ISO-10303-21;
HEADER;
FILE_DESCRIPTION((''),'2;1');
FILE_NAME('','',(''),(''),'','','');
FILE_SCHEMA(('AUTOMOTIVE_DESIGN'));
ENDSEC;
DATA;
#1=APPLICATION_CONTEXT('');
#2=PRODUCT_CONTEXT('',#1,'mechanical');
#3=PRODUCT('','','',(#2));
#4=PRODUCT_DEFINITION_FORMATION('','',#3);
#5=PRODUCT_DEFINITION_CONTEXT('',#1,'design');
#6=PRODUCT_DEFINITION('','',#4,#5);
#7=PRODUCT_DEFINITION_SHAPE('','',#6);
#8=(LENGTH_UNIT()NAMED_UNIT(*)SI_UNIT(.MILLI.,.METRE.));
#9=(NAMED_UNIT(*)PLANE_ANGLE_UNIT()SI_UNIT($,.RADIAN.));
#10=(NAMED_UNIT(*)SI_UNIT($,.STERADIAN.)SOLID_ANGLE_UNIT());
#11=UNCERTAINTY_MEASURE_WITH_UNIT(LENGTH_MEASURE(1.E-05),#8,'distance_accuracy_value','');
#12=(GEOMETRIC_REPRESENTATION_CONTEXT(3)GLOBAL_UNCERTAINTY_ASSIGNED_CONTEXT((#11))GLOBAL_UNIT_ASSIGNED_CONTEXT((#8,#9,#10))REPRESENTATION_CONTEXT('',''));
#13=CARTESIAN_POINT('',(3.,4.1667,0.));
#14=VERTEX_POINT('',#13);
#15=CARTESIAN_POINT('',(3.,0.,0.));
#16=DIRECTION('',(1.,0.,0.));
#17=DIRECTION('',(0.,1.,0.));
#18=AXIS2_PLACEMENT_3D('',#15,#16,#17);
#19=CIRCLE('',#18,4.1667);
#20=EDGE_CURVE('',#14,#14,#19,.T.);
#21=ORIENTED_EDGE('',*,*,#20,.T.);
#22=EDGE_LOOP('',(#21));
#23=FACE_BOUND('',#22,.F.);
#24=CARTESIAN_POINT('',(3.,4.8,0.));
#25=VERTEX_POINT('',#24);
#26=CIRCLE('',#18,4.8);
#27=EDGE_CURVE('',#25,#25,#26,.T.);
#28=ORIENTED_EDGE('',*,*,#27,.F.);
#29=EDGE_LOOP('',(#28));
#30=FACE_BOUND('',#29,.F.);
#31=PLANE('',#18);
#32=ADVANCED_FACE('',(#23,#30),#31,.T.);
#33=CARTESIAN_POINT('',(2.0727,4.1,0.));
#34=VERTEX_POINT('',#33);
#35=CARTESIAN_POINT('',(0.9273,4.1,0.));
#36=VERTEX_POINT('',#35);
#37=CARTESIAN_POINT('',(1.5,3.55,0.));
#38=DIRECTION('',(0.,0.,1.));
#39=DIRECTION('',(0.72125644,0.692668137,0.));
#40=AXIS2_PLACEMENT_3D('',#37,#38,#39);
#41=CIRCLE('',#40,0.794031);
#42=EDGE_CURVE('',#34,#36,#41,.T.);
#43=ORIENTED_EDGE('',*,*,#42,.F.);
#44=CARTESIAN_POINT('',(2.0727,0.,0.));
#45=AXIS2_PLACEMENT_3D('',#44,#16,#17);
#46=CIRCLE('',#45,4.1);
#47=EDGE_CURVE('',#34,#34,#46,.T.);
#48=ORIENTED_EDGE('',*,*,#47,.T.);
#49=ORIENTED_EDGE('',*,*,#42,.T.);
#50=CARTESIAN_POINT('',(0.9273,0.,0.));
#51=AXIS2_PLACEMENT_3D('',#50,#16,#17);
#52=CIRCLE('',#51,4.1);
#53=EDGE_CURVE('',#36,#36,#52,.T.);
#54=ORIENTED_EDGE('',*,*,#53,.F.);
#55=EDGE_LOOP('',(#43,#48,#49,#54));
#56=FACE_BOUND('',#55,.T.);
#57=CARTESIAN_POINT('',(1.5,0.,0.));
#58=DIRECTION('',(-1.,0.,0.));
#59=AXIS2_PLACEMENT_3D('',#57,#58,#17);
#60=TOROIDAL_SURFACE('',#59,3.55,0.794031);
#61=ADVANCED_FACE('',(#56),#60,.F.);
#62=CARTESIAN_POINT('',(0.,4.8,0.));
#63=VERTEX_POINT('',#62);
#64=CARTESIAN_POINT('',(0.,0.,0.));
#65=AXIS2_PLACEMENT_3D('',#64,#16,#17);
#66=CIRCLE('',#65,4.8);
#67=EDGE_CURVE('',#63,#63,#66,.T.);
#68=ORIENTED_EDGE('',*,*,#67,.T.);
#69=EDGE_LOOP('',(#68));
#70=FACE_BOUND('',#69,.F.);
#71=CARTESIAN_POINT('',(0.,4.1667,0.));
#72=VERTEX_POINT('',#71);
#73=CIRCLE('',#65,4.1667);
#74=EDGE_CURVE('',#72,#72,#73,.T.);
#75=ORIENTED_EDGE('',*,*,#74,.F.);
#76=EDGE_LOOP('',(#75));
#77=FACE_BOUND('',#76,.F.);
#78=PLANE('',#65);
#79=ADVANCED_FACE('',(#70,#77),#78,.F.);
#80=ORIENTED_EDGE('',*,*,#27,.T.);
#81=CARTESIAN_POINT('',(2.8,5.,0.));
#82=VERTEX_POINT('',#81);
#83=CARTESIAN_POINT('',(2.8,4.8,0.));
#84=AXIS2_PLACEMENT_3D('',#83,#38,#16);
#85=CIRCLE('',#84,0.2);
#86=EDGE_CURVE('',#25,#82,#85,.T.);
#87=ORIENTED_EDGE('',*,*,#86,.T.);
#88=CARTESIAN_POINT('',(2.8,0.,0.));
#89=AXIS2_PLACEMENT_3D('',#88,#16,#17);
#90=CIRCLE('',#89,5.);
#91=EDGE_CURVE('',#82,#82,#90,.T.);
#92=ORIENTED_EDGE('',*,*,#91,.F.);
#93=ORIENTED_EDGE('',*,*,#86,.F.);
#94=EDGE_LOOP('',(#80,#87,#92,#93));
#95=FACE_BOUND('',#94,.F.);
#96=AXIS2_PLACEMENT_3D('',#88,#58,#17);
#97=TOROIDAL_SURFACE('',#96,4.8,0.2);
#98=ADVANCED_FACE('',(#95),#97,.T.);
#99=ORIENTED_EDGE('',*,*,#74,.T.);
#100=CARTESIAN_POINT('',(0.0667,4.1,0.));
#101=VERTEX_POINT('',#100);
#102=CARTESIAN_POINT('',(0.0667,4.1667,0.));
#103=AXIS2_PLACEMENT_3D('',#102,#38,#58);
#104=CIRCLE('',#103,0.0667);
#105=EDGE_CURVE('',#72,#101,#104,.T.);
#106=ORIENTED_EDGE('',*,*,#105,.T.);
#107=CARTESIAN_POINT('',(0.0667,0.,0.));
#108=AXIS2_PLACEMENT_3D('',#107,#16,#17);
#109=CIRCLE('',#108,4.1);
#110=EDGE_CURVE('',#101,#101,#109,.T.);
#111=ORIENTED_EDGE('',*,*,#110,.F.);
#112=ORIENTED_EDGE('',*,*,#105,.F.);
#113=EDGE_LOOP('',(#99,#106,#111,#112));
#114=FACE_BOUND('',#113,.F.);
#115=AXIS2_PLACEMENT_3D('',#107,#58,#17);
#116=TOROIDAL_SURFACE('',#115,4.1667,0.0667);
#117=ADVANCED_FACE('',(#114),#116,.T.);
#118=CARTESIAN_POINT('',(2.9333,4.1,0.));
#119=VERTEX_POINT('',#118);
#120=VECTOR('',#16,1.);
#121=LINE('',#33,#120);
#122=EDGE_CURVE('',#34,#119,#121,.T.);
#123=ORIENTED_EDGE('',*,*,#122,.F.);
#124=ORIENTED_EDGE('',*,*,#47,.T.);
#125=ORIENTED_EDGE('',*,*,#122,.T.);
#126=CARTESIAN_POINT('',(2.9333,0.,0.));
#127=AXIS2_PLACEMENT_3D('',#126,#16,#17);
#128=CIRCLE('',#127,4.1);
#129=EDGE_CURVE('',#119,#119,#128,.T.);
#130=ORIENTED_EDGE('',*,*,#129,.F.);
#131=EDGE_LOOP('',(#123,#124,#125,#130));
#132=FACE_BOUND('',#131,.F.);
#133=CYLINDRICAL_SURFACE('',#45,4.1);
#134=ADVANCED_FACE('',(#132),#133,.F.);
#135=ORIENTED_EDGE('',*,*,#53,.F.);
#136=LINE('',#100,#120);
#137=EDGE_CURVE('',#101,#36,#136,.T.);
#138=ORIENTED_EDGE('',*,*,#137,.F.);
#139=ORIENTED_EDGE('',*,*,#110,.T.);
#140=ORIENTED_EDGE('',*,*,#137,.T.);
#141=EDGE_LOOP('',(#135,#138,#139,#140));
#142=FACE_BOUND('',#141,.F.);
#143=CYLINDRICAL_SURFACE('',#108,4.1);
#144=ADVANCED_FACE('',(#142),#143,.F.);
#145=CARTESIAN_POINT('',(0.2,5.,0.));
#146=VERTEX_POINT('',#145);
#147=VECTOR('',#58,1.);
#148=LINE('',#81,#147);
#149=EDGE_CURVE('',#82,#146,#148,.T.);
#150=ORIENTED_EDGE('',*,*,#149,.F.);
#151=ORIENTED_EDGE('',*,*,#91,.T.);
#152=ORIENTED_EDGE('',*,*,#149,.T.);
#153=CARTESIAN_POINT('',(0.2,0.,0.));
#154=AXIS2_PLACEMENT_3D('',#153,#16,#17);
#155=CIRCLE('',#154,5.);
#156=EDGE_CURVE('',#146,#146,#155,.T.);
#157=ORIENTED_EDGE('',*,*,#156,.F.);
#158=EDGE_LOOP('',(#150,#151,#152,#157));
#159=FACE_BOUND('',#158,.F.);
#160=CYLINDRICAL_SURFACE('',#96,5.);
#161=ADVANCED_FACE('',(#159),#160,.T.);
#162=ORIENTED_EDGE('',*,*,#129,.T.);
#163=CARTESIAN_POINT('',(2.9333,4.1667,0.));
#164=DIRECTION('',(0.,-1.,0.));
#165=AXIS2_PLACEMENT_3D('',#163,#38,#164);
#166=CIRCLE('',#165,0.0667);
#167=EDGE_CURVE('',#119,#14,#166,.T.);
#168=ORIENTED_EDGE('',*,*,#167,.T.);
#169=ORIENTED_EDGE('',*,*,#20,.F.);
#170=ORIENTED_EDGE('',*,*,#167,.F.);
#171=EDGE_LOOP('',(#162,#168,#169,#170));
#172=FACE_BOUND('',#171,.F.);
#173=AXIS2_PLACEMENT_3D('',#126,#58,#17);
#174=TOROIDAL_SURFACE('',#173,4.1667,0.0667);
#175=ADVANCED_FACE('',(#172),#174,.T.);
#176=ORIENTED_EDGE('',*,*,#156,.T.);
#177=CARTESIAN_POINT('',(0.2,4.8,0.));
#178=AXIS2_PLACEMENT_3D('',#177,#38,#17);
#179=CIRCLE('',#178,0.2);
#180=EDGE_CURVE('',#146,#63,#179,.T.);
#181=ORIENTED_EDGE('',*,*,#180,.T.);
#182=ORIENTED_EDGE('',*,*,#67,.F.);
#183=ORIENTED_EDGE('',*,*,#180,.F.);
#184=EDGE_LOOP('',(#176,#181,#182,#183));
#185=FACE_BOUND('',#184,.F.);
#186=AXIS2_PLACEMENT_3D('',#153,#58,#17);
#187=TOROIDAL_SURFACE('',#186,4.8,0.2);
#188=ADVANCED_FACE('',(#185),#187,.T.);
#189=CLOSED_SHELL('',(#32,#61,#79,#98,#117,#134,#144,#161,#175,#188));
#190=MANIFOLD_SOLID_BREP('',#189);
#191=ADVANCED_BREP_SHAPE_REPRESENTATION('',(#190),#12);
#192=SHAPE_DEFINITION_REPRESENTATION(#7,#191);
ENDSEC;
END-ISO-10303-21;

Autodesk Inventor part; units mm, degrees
ref_plane "YZ Plane" through (0, 0, 0) normal (1, 0, 0) x (0, 1, 0)
ref_plane "XZ Plane" through (0, 0, 0) normal (0, 1, 0) x (-1, 0, 0)
ref_plane "XY Plane" through (0, 0, 0) normal (0, 0, 1) x (1, 0, 0)
sketch "Sketch_1" plane through (0, 0, 0) normal (0, 0, 1) x (1, 0, 0)
  line L0 (3, 0) -> (-3, 0)
  arc A0 (0, 4.1667) -> (0.0667, 4.1) centre (0.0667, 4.1667) ccw
  line L1 (0.0667, 4.1) -> (0.9273, 4.1)
  arc A1 (2.0727, 4.1) -> (0.9273, 4.1) centre (1.5, 3.55) ccw
  line L2 (2.0727, 4.1) -> (2.9333, 4.1)
  arc A2 (2.9333, 4.1) -> (3, 4.1667) centre (2.9333, 4.1667) ccw
  line L3 (3, 4.1667) -> (3, 4.8)
  arc A3 (3, 4.8) -> (2.8, 5) centre (2.8, 4.8) ccw
  line L4 (2.8, 5) -> (0.2, 5)
  arc A4 (0.2, 5) -> (0, 4.8) centre (0.2, 4.8) ccw
  line L5 (0, 4.8) -> (0, 4.1667)
revolve "Revolution1" add sketch "Sketch_1" angle 360 about axis through (3, 0, 0) along (1, 0, 0)
properties part number "W 637/4 X_PART2"
